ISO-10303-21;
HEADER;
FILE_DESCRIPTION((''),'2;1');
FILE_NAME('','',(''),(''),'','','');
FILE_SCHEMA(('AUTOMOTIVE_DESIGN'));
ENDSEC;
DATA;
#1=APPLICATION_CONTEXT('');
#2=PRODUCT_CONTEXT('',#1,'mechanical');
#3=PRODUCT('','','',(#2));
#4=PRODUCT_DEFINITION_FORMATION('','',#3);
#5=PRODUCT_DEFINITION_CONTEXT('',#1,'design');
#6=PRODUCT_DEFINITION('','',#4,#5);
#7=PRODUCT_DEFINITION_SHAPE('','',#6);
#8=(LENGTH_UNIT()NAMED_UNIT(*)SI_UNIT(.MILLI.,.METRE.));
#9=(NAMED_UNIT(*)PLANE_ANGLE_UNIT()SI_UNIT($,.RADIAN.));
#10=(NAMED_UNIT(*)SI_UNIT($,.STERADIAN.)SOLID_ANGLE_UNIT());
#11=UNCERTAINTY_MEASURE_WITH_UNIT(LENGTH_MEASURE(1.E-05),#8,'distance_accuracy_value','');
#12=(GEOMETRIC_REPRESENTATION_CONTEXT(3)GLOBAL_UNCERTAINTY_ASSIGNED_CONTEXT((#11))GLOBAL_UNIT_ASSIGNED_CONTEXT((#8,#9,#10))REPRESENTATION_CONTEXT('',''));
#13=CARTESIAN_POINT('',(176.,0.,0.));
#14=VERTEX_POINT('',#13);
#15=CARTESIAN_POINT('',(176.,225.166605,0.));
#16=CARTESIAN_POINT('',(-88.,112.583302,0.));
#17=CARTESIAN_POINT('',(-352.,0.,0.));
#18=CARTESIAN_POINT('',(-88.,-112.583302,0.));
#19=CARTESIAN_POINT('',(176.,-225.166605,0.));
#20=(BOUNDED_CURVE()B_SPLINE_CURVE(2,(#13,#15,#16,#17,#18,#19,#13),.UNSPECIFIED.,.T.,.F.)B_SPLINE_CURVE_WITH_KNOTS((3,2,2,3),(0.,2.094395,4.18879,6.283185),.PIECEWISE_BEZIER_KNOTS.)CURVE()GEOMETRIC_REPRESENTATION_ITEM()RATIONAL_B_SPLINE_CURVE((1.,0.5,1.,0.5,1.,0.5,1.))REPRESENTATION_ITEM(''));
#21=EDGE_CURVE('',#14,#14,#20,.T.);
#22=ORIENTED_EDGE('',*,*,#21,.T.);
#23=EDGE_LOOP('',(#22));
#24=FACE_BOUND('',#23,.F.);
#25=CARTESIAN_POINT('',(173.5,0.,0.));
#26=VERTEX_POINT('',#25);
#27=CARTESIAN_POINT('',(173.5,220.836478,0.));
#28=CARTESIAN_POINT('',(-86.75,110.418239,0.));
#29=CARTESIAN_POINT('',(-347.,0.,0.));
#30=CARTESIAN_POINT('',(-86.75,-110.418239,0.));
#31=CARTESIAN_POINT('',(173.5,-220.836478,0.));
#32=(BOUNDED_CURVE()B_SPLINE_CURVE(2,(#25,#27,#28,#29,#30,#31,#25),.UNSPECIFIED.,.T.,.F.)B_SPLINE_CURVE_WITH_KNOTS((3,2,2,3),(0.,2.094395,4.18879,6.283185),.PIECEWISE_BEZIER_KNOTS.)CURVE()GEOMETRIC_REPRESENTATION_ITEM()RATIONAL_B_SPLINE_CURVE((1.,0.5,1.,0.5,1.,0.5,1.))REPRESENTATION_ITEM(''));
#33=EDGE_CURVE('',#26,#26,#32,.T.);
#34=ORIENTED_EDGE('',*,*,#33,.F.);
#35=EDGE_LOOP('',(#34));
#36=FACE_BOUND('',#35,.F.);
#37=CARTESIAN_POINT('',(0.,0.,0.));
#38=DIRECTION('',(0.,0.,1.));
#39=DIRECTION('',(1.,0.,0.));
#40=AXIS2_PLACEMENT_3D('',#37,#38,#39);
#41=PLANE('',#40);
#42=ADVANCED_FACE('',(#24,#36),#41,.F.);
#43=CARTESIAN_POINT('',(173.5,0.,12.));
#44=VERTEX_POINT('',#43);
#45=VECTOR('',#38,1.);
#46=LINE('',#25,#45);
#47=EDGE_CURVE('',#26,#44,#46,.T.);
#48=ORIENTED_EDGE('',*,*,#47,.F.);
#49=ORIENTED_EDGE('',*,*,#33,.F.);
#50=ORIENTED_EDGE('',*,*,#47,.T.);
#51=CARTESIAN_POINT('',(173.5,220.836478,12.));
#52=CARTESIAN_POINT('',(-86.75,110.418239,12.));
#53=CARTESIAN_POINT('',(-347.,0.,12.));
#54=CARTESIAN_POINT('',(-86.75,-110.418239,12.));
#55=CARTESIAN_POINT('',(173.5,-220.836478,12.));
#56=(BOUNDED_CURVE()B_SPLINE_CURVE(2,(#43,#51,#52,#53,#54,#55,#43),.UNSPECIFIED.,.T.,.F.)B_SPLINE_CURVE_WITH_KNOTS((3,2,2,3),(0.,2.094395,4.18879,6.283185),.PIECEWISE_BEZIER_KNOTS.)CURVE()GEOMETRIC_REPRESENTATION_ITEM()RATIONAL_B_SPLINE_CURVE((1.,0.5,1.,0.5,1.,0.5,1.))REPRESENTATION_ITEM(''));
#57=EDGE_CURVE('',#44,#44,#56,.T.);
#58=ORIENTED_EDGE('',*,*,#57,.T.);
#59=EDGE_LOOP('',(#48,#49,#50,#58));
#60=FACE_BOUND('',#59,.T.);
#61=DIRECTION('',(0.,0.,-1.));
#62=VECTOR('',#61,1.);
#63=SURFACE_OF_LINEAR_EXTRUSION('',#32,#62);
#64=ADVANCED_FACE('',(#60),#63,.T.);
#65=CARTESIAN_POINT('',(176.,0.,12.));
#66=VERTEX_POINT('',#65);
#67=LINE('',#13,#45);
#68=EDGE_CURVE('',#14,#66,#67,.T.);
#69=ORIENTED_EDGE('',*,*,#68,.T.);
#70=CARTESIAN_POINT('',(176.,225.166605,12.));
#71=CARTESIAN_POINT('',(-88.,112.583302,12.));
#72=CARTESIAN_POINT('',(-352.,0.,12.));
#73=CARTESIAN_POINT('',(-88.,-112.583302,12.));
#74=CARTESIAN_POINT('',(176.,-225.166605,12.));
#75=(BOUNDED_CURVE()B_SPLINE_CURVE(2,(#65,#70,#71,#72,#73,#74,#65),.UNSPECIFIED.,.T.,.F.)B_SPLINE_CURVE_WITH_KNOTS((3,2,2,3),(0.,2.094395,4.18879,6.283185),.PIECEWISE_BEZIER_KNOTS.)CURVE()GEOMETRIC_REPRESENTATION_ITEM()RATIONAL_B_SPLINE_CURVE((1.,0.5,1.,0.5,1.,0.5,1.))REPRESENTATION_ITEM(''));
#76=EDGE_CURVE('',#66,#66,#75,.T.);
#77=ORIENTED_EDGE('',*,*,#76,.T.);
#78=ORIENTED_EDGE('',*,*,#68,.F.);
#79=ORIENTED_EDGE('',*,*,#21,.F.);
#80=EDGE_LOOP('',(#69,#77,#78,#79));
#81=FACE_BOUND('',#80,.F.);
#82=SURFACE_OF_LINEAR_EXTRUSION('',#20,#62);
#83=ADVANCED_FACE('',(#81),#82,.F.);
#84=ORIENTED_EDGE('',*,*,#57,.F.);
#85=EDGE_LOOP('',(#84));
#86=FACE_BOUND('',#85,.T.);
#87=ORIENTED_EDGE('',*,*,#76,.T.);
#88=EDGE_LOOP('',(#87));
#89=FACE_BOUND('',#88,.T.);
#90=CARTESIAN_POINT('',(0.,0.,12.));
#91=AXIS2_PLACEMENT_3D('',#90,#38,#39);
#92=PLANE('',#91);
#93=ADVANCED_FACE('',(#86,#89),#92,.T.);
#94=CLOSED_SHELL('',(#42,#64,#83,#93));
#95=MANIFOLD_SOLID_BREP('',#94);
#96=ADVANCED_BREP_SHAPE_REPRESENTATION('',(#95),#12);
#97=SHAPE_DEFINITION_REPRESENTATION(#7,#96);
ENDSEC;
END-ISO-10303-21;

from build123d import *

# Parameters (mm, degrees)
F1_DEPTH = 12


with BuildPart() as f1:
    # F0 (on Top) → F1 (new body)
    with BuildSketch(Plane.XY):
        with BuildLine():
            add(Edge.make_bspline(
                [(176, 0), (176, 225.166605), (-88, 112.583302), (-352, 0), (-88, -112.583302), (176, -225.166605), (176, 0)],
                knots=[0, 0, 0, 2.094395, 2.094395, 4.18879, 4.18879, 6.283185, 6.283185, 6.283185], degree=2, weights=[1, 0.5, 1, 0.5, 1, 0.5, 1]))
        make_face()
        with BuildLine():
            add(Edge.make_bspline(
                [(173.5, 0), (173.5, 220.836478), (-86.75, 110.418239), (-347, 0), (-86.75, -110.418239), (173.5, -220.836478), (173.5, 0)],
                knots=[0, 0, 0, 2.094395, 2.094395, 4.18879, 4.18879, 6.283185, 6.283185, 6.283185], degree=2, weights=[1, 0.5, 1, 0.5, 1, 0.5, 1]))
        make_face(mode=Mode.SUBTRACT)
    extrude(amount=F1_DEPTH)


solid = f1.part
